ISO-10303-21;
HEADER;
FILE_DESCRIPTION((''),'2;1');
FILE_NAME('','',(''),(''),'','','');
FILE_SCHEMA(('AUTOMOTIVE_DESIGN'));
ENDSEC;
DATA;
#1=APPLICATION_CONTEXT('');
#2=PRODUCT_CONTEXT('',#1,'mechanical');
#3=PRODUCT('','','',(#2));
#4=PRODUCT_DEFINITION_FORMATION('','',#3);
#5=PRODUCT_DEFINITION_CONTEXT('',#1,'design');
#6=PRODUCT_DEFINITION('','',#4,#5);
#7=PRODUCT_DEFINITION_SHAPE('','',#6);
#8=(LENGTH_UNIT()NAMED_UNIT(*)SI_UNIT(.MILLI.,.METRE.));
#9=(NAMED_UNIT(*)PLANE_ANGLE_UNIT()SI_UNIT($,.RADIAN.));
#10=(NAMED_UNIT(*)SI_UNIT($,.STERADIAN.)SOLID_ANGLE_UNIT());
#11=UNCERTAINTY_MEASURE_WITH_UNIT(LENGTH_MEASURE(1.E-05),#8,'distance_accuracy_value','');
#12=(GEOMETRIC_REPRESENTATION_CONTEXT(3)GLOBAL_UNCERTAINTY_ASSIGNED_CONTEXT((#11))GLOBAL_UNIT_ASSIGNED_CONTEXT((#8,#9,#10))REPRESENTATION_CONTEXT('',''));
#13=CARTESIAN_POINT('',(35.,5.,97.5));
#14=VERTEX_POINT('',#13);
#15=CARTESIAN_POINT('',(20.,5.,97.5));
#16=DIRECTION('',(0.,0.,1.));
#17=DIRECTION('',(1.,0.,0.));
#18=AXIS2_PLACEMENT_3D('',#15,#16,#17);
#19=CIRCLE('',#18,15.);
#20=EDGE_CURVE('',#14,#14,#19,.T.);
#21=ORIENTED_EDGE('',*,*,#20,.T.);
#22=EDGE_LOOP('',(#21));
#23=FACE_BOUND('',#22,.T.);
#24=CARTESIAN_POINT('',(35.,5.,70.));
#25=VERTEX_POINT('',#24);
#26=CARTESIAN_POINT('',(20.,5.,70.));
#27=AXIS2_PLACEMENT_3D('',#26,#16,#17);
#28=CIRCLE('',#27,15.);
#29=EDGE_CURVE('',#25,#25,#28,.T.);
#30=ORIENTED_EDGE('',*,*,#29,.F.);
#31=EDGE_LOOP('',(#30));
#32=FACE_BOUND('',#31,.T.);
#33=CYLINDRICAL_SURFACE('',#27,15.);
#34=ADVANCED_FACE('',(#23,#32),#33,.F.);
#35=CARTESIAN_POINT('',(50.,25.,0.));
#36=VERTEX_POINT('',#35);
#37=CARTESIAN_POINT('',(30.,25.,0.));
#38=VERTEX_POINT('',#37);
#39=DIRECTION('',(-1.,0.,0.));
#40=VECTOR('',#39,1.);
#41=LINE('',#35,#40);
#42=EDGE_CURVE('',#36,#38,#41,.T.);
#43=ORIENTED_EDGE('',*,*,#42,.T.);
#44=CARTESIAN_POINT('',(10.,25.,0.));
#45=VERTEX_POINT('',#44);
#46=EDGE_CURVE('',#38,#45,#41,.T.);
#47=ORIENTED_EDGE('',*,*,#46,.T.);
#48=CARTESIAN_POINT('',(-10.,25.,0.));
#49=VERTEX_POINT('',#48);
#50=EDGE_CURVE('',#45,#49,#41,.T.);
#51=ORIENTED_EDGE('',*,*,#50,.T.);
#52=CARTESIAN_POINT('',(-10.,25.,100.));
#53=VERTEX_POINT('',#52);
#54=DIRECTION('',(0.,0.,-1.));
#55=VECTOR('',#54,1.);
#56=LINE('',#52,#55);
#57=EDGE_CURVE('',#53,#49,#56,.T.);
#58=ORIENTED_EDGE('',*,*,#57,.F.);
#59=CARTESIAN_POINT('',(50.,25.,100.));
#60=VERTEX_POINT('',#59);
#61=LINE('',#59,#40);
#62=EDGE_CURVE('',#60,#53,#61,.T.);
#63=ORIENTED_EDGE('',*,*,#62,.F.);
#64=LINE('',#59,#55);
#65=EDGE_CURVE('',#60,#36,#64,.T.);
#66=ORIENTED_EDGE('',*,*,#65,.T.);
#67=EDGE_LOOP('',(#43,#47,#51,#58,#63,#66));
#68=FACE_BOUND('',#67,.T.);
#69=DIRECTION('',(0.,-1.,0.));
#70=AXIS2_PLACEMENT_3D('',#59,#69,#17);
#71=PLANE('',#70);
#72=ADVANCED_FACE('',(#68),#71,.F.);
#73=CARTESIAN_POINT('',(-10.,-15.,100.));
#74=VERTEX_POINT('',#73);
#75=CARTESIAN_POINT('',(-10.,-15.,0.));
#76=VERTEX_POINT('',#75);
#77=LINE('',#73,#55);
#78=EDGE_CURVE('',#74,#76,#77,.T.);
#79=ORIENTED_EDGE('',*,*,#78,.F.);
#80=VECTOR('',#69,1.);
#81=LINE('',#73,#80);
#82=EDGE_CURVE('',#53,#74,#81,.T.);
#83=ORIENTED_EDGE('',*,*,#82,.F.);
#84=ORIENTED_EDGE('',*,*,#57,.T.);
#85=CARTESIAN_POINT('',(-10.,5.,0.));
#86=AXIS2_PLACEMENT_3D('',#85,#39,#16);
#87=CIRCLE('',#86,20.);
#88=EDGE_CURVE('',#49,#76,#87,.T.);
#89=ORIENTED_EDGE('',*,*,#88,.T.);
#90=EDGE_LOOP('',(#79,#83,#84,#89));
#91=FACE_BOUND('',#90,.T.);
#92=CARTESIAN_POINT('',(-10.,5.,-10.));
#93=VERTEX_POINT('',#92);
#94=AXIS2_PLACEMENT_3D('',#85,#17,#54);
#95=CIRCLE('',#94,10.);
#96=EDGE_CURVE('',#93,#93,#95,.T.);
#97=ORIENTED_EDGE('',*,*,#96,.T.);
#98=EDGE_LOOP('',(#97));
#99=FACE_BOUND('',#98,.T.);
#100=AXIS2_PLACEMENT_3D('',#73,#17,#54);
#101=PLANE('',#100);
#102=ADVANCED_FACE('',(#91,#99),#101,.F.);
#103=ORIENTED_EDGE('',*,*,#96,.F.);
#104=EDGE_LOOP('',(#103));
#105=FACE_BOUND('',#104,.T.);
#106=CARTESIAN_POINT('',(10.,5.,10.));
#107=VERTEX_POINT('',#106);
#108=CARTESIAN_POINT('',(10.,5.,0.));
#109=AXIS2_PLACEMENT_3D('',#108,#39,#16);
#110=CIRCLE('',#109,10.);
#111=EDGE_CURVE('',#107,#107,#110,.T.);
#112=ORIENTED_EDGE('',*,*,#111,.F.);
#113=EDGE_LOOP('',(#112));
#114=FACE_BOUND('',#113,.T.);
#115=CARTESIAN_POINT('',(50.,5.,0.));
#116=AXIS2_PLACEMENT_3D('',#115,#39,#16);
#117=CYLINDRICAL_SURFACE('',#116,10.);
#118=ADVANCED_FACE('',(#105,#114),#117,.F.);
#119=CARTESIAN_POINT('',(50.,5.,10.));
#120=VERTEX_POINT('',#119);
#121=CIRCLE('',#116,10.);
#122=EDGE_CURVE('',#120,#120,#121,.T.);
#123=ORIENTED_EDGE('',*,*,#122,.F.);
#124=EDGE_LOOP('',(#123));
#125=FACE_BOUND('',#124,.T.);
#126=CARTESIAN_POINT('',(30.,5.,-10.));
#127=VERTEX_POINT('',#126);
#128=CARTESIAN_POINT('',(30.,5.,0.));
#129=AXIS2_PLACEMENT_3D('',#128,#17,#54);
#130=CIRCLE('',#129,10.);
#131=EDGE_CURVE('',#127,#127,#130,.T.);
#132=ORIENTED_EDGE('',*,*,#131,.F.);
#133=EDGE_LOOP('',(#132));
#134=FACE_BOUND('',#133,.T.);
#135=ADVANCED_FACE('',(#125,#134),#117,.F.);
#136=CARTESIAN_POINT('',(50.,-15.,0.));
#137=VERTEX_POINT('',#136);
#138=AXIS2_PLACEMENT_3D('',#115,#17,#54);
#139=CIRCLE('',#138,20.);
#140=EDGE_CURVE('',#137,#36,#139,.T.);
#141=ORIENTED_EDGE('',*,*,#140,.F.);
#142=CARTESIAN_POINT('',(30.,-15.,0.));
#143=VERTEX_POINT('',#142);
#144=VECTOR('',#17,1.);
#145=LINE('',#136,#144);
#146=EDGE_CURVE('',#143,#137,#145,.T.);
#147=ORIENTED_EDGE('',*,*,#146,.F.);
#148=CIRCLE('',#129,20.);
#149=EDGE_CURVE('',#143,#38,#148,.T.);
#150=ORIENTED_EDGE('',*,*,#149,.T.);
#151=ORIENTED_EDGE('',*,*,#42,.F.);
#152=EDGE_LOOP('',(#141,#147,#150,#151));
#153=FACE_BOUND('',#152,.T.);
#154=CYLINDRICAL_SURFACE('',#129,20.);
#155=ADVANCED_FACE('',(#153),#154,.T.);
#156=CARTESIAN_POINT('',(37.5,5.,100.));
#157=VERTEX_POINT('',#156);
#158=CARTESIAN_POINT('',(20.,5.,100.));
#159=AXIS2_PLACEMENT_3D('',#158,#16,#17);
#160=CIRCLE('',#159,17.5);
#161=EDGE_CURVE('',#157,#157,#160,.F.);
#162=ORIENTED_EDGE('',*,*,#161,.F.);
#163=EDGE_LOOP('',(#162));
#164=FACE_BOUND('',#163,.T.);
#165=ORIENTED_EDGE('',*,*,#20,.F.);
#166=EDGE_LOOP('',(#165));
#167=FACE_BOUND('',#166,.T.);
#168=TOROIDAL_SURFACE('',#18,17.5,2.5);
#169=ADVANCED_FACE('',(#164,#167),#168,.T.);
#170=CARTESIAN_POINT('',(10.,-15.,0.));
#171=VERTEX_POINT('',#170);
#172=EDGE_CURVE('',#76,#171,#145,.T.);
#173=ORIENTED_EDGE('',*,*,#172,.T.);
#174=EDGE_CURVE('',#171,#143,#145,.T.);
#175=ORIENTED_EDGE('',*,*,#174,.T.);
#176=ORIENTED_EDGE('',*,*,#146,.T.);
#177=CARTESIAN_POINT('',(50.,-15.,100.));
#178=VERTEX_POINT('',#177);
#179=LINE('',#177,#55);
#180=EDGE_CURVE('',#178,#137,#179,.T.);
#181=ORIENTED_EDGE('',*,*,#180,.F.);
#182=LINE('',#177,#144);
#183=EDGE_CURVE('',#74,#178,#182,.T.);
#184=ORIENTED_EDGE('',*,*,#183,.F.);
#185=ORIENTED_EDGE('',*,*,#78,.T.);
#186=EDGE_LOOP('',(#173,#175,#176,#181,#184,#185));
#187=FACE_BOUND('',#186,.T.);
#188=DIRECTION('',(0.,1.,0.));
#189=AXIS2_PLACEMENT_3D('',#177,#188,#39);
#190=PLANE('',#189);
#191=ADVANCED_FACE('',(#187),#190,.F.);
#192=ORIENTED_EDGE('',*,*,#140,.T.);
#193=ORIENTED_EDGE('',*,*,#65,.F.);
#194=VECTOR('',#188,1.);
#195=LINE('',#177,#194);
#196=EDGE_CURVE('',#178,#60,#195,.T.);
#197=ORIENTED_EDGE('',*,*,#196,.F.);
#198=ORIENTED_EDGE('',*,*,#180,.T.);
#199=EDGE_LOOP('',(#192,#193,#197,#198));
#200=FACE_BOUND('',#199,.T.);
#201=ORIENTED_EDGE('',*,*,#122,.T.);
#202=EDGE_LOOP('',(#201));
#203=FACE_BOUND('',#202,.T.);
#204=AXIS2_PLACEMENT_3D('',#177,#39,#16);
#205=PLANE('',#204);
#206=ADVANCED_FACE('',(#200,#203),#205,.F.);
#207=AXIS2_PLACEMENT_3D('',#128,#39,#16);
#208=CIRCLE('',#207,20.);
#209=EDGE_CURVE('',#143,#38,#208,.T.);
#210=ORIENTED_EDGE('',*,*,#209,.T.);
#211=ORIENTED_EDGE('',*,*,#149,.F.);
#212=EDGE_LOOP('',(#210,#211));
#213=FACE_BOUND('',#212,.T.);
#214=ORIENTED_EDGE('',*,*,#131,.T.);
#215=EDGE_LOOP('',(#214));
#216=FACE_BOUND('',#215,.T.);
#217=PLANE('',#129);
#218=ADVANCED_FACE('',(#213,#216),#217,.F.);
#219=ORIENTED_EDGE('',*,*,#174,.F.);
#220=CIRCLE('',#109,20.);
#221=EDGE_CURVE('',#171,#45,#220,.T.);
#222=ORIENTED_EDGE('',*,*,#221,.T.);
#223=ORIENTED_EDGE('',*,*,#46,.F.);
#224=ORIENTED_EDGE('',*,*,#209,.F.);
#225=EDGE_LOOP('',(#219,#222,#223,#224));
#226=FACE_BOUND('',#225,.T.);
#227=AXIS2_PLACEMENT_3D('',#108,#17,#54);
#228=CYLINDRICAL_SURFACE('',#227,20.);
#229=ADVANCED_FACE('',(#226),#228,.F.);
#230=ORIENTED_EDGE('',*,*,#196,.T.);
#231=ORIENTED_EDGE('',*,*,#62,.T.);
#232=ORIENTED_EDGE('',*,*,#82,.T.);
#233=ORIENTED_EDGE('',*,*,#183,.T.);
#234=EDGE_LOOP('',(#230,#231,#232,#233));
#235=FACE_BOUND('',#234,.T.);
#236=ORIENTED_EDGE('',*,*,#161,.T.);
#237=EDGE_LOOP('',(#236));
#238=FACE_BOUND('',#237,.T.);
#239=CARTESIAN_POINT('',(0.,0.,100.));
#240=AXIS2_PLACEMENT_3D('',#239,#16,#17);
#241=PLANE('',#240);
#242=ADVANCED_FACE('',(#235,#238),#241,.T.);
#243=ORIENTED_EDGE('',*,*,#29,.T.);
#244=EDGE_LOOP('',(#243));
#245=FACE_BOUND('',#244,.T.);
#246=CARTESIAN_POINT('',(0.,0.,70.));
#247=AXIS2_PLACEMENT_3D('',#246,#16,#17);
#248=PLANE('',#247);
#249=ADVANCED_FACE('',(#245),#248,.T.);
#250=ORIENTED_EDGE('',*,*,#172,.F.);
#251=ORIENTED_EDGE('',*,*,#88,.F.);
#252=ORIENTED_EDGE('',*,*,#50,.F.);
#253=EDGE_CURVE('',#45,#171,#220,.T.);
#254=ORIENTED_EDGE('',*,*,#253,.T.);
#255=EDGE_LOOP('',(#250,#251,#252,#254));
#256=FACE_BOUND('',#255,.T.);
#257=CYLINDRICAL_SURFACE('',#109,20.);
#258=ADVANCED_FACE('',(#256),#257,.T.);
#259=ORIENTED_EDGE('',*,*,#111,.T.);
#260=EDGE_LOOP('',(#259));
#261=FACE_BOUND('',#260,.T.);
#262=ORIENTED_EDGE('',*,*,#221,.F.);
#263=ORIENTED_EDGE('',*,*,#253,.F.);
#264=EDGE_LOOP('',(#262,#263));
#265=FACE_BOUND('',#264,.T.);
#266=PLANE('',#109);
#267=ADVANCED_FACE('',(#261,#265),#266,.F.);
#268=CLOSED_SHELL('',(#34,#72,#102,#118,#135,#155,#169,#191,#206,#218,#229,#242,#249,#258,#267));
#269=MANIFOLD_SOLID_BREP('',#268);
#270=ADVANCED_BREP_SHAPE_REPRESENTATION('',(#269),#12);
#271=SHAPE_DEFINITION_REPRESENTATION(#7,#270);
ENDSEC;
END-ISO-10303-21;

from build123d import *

# Parameters (mm, degrees)
SKETCH_1_W               = 60
SKETCH_1_H               = 40
EXTRUDE_1_DEPTH          = 100
SKETCH_6_R               = 20
EXTRUDE_2_DEPTH          = 20
EXTRUDE_START            = -20
SKETCH_7_R               = 20
EXTRUDE_3_DEPTH          = 20
CUT_EXTRUDE_1_DEPTH      = 120.268604419
CUT_EXTRUDE_1_DEPTH_BACK = 120.268604419
SKETCH_8_R               = 10
SKETCH_9_R               = 20
CUT_EXTRUDE_2_DEPTH      = 20
SKETCH_10_R              = 15
CUT_EXTRUDE_3_DEPTH      = 30
FILLET_2_R               = 2.5


with BuildPart() as part:
    # 스케치1 → 보스-돌출1 (new body)
    with BuildSketch(Plane.XY):
        with Locations((20, 5)):
            Rectangle(SKETCH_1_W, SKETCH_1_H)
    extrude(amount=EXTRUDE_1_DEPTH)

    # 스케치6 → 보스-돌출2 (add)
    with BuildSketch(Plane(origin=(50, 0, 0), x_dir=(0, 0, -1), z_dir=(1, 0, 0))):
        with Locations((0, 5)):
            Circle(SKETCH_6_R)
    extrude(amount=-EXTRUDE_2_DEPTH)

    # 스케치7 → 보스-돌출3 (add)
    with BuildSketch(Plane.ZY.offset(10).offset(EXTRUDE_START)):
        with Locations((0, 5)):
            Circle(SKETCH_7_R)
    extrude(amount=EXTRUDE_3_DEPTH)

    # 스케치8 → 컷-돌출1 (cut, two sides: drawn at the far end of the back side and taken through both)
    with BuildSketch(Plane.ZY.offset(10).offset(-CUT_EXTRUDE_1_DEPTH_BACK)):
        with Locations((0, 5)):
            Circle(SKETCH_8_R)
    extrude(amount=CUT_EXTRUDE_1_DEPTH + CUT_EXTRUDE_1_DEPTH_BACK, mode=Mode.SUBTRACT)

    # 스케치9 → 컷-돌출2 (cut)
    with BuildSketch(Plane.ZY.offset(-30)):
        with Locations((0, 5)):
            Circle(SKETCH_9_R)
    extrude(amount=CUT_EXTRUDE_2_DEPTH, mode=Mode.SUBTRACT)

    # 스케치10 → 컷-돌출3 (cut)
    with BuildSketch(Plane.XY.offset(100)):
        with Locations((20, 5)):
            Circle(SKETCH_10_R)
    extrude(amount=-CUT_EXTRUDE_3_DEPTH, mode=Mode.SUBTRACT)

    # 필렛2
    fillet_2_edges = [part.edges().sort_by_distance(p)[0] for p in [
        (5, 5, 100),
    ]]
    fillet(fillet_2_edges, radius=FILLET_2_R)


solid = part.part
